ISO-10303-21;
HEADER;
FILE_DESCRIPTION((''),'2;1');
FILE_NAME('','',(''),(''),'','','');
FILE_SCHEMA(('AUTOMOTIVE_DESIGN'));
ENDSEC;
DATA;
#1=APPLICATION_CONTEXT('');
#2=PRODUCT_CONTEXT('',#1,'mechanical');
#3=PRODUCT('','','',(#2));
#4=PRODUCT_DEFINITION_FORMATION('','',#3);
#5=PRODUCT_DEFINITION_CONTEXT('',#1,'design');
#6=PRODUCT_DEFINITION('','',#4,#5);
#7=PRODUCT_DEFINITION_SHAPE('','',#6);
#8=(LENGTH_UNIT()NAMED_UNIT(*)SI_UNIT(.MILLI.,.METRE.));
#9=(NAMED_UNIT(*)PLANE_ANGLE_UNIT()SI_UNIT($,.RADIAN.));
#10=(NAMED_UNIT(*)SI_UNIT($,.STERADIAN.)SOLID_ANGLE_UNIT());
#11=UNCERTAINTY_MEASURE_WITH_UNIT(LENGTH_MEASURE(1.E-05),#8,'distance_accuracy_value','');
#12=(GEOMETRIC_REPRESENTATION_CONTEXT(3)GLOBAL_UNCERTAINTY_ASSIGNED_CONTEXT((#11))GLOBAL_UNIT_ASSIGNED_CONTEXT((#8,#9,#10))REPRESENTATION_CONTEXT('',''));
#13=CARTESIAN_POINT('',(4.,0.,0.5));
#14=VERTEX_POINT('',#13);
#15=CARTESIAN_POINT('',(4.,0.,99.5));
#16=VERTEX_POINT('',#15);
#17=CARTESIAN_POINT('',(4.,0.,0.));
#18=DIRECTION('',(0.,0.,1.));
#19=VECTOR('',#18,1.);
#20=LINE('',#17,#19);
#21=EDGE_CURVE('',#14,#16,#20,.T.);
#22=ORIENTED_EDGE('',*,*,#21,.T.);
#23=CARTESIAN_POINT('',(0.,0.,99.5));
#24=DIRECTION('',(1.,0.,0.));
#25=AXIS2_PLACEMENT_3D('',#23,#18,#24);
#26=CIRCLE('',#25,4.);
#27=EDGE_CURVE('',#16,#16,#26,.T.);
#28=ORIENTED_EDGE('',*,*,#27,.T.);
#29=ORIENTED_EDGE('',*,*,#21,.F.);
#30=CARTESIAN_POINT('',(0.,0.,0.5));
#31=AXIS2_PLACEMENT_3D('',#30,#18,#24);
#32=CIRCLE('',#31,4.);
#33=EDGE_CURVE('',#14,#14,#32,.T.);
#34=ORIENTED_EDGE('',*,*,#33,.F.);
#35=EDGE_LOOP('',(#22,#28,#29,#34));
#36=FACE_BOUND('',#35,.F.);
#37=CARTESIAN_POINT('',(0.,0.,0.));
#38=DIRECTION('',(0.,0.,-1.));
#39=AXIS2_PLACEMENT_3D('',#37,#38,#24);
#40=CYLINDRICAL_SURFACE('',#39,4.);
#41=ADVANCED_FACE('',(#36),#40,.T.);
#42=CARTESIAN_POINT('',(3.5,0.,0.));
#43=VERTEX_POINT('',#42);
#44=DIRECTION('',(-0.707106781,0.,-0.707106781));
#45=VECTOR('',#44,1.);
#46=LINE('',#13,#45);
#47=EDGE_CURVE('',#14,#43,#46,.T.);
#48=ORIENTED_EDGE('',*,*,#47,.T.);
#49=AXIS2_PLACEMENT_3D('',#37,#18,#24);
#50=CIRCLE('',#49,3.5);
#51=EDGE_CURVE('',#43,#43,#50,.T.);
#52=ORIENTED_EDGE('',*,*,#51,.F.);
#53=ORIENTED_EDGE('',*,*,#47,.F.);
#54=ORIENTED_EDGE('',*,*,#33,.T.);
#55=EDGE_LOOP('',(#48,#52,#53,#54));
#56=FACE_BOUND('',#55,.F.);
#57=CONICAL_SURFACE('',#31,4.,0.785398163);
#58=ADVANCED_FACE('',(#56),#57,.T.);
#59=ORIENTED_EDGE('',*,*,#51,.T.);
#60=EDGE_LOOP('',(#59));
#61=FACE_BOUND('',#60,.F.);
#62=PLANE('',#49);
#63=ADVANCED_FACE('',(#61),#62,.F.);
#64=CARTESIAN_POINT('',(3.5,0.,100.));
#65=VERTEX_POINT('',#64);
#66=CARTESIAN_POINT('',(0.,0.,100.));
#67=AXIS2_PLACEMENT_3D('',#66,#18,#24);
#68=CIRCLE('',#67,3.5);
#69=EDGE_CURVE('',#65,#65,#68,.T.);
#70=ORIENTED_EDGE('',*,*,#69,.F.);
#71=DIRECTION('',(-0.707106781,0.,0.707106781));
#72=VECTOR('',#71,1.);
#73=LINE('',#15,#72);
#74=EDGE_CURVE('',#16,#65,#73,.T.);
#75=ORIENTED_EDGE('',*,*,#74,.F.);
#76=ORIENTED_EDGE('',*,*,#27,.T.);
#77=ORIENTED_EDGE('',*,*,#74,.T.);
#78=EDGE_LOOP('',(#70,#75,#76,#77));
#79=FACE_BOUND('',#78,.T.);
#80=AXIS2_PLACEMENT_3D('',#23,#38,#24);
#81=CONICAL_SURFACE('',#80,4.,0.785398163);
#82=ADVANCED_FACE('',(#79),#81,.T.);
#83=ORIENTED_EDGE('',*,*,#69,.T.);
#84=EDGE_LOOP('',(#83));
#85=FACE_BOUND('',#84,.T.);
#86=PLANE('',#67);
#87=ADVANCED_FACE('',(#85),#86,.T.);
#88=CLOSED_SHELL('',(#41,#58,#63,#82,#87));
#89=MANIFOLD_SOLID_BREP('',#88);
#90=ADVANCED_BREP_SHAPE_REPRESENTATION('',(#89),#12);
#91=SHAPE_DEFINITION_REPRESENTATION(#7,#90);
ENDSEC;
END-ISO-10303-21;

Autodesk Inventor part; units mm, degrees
ref_plane "YZ Plane" through (0, 0, 0) normal (1, 0, 0) x (0, 1, 0)
ref_plane "XZ Plane" through (0, 0, 0) normal (0, 1, 0) x (-1, 0, 0)
ref_plane "XY Plane" through (0, 0, 0) normal (0, 0, 1) x (1, 0, 0)
sketch "Эскиз1" plane through (0, 0, 0) normal (0, 0, 1) x (1, 0, 0)
  circle A0 centre (0, 0) radius 4
  dimension "d0" = 8
extrude "Выдавливание1" add sketch "Эскиз1" along normal blind 100
thread "Резьба1" size "M8x1.25" class "6g" standard "ANSI Metric M Profile" full length
chamfer "Фаска1" distance 0.5 angle 45 1 edges at (-4, 0, 100)
chamfer "Фаска2" distance 0.5 angle 45 1 edges at (-4, 0, 0)
properties part number "Направляющая"
